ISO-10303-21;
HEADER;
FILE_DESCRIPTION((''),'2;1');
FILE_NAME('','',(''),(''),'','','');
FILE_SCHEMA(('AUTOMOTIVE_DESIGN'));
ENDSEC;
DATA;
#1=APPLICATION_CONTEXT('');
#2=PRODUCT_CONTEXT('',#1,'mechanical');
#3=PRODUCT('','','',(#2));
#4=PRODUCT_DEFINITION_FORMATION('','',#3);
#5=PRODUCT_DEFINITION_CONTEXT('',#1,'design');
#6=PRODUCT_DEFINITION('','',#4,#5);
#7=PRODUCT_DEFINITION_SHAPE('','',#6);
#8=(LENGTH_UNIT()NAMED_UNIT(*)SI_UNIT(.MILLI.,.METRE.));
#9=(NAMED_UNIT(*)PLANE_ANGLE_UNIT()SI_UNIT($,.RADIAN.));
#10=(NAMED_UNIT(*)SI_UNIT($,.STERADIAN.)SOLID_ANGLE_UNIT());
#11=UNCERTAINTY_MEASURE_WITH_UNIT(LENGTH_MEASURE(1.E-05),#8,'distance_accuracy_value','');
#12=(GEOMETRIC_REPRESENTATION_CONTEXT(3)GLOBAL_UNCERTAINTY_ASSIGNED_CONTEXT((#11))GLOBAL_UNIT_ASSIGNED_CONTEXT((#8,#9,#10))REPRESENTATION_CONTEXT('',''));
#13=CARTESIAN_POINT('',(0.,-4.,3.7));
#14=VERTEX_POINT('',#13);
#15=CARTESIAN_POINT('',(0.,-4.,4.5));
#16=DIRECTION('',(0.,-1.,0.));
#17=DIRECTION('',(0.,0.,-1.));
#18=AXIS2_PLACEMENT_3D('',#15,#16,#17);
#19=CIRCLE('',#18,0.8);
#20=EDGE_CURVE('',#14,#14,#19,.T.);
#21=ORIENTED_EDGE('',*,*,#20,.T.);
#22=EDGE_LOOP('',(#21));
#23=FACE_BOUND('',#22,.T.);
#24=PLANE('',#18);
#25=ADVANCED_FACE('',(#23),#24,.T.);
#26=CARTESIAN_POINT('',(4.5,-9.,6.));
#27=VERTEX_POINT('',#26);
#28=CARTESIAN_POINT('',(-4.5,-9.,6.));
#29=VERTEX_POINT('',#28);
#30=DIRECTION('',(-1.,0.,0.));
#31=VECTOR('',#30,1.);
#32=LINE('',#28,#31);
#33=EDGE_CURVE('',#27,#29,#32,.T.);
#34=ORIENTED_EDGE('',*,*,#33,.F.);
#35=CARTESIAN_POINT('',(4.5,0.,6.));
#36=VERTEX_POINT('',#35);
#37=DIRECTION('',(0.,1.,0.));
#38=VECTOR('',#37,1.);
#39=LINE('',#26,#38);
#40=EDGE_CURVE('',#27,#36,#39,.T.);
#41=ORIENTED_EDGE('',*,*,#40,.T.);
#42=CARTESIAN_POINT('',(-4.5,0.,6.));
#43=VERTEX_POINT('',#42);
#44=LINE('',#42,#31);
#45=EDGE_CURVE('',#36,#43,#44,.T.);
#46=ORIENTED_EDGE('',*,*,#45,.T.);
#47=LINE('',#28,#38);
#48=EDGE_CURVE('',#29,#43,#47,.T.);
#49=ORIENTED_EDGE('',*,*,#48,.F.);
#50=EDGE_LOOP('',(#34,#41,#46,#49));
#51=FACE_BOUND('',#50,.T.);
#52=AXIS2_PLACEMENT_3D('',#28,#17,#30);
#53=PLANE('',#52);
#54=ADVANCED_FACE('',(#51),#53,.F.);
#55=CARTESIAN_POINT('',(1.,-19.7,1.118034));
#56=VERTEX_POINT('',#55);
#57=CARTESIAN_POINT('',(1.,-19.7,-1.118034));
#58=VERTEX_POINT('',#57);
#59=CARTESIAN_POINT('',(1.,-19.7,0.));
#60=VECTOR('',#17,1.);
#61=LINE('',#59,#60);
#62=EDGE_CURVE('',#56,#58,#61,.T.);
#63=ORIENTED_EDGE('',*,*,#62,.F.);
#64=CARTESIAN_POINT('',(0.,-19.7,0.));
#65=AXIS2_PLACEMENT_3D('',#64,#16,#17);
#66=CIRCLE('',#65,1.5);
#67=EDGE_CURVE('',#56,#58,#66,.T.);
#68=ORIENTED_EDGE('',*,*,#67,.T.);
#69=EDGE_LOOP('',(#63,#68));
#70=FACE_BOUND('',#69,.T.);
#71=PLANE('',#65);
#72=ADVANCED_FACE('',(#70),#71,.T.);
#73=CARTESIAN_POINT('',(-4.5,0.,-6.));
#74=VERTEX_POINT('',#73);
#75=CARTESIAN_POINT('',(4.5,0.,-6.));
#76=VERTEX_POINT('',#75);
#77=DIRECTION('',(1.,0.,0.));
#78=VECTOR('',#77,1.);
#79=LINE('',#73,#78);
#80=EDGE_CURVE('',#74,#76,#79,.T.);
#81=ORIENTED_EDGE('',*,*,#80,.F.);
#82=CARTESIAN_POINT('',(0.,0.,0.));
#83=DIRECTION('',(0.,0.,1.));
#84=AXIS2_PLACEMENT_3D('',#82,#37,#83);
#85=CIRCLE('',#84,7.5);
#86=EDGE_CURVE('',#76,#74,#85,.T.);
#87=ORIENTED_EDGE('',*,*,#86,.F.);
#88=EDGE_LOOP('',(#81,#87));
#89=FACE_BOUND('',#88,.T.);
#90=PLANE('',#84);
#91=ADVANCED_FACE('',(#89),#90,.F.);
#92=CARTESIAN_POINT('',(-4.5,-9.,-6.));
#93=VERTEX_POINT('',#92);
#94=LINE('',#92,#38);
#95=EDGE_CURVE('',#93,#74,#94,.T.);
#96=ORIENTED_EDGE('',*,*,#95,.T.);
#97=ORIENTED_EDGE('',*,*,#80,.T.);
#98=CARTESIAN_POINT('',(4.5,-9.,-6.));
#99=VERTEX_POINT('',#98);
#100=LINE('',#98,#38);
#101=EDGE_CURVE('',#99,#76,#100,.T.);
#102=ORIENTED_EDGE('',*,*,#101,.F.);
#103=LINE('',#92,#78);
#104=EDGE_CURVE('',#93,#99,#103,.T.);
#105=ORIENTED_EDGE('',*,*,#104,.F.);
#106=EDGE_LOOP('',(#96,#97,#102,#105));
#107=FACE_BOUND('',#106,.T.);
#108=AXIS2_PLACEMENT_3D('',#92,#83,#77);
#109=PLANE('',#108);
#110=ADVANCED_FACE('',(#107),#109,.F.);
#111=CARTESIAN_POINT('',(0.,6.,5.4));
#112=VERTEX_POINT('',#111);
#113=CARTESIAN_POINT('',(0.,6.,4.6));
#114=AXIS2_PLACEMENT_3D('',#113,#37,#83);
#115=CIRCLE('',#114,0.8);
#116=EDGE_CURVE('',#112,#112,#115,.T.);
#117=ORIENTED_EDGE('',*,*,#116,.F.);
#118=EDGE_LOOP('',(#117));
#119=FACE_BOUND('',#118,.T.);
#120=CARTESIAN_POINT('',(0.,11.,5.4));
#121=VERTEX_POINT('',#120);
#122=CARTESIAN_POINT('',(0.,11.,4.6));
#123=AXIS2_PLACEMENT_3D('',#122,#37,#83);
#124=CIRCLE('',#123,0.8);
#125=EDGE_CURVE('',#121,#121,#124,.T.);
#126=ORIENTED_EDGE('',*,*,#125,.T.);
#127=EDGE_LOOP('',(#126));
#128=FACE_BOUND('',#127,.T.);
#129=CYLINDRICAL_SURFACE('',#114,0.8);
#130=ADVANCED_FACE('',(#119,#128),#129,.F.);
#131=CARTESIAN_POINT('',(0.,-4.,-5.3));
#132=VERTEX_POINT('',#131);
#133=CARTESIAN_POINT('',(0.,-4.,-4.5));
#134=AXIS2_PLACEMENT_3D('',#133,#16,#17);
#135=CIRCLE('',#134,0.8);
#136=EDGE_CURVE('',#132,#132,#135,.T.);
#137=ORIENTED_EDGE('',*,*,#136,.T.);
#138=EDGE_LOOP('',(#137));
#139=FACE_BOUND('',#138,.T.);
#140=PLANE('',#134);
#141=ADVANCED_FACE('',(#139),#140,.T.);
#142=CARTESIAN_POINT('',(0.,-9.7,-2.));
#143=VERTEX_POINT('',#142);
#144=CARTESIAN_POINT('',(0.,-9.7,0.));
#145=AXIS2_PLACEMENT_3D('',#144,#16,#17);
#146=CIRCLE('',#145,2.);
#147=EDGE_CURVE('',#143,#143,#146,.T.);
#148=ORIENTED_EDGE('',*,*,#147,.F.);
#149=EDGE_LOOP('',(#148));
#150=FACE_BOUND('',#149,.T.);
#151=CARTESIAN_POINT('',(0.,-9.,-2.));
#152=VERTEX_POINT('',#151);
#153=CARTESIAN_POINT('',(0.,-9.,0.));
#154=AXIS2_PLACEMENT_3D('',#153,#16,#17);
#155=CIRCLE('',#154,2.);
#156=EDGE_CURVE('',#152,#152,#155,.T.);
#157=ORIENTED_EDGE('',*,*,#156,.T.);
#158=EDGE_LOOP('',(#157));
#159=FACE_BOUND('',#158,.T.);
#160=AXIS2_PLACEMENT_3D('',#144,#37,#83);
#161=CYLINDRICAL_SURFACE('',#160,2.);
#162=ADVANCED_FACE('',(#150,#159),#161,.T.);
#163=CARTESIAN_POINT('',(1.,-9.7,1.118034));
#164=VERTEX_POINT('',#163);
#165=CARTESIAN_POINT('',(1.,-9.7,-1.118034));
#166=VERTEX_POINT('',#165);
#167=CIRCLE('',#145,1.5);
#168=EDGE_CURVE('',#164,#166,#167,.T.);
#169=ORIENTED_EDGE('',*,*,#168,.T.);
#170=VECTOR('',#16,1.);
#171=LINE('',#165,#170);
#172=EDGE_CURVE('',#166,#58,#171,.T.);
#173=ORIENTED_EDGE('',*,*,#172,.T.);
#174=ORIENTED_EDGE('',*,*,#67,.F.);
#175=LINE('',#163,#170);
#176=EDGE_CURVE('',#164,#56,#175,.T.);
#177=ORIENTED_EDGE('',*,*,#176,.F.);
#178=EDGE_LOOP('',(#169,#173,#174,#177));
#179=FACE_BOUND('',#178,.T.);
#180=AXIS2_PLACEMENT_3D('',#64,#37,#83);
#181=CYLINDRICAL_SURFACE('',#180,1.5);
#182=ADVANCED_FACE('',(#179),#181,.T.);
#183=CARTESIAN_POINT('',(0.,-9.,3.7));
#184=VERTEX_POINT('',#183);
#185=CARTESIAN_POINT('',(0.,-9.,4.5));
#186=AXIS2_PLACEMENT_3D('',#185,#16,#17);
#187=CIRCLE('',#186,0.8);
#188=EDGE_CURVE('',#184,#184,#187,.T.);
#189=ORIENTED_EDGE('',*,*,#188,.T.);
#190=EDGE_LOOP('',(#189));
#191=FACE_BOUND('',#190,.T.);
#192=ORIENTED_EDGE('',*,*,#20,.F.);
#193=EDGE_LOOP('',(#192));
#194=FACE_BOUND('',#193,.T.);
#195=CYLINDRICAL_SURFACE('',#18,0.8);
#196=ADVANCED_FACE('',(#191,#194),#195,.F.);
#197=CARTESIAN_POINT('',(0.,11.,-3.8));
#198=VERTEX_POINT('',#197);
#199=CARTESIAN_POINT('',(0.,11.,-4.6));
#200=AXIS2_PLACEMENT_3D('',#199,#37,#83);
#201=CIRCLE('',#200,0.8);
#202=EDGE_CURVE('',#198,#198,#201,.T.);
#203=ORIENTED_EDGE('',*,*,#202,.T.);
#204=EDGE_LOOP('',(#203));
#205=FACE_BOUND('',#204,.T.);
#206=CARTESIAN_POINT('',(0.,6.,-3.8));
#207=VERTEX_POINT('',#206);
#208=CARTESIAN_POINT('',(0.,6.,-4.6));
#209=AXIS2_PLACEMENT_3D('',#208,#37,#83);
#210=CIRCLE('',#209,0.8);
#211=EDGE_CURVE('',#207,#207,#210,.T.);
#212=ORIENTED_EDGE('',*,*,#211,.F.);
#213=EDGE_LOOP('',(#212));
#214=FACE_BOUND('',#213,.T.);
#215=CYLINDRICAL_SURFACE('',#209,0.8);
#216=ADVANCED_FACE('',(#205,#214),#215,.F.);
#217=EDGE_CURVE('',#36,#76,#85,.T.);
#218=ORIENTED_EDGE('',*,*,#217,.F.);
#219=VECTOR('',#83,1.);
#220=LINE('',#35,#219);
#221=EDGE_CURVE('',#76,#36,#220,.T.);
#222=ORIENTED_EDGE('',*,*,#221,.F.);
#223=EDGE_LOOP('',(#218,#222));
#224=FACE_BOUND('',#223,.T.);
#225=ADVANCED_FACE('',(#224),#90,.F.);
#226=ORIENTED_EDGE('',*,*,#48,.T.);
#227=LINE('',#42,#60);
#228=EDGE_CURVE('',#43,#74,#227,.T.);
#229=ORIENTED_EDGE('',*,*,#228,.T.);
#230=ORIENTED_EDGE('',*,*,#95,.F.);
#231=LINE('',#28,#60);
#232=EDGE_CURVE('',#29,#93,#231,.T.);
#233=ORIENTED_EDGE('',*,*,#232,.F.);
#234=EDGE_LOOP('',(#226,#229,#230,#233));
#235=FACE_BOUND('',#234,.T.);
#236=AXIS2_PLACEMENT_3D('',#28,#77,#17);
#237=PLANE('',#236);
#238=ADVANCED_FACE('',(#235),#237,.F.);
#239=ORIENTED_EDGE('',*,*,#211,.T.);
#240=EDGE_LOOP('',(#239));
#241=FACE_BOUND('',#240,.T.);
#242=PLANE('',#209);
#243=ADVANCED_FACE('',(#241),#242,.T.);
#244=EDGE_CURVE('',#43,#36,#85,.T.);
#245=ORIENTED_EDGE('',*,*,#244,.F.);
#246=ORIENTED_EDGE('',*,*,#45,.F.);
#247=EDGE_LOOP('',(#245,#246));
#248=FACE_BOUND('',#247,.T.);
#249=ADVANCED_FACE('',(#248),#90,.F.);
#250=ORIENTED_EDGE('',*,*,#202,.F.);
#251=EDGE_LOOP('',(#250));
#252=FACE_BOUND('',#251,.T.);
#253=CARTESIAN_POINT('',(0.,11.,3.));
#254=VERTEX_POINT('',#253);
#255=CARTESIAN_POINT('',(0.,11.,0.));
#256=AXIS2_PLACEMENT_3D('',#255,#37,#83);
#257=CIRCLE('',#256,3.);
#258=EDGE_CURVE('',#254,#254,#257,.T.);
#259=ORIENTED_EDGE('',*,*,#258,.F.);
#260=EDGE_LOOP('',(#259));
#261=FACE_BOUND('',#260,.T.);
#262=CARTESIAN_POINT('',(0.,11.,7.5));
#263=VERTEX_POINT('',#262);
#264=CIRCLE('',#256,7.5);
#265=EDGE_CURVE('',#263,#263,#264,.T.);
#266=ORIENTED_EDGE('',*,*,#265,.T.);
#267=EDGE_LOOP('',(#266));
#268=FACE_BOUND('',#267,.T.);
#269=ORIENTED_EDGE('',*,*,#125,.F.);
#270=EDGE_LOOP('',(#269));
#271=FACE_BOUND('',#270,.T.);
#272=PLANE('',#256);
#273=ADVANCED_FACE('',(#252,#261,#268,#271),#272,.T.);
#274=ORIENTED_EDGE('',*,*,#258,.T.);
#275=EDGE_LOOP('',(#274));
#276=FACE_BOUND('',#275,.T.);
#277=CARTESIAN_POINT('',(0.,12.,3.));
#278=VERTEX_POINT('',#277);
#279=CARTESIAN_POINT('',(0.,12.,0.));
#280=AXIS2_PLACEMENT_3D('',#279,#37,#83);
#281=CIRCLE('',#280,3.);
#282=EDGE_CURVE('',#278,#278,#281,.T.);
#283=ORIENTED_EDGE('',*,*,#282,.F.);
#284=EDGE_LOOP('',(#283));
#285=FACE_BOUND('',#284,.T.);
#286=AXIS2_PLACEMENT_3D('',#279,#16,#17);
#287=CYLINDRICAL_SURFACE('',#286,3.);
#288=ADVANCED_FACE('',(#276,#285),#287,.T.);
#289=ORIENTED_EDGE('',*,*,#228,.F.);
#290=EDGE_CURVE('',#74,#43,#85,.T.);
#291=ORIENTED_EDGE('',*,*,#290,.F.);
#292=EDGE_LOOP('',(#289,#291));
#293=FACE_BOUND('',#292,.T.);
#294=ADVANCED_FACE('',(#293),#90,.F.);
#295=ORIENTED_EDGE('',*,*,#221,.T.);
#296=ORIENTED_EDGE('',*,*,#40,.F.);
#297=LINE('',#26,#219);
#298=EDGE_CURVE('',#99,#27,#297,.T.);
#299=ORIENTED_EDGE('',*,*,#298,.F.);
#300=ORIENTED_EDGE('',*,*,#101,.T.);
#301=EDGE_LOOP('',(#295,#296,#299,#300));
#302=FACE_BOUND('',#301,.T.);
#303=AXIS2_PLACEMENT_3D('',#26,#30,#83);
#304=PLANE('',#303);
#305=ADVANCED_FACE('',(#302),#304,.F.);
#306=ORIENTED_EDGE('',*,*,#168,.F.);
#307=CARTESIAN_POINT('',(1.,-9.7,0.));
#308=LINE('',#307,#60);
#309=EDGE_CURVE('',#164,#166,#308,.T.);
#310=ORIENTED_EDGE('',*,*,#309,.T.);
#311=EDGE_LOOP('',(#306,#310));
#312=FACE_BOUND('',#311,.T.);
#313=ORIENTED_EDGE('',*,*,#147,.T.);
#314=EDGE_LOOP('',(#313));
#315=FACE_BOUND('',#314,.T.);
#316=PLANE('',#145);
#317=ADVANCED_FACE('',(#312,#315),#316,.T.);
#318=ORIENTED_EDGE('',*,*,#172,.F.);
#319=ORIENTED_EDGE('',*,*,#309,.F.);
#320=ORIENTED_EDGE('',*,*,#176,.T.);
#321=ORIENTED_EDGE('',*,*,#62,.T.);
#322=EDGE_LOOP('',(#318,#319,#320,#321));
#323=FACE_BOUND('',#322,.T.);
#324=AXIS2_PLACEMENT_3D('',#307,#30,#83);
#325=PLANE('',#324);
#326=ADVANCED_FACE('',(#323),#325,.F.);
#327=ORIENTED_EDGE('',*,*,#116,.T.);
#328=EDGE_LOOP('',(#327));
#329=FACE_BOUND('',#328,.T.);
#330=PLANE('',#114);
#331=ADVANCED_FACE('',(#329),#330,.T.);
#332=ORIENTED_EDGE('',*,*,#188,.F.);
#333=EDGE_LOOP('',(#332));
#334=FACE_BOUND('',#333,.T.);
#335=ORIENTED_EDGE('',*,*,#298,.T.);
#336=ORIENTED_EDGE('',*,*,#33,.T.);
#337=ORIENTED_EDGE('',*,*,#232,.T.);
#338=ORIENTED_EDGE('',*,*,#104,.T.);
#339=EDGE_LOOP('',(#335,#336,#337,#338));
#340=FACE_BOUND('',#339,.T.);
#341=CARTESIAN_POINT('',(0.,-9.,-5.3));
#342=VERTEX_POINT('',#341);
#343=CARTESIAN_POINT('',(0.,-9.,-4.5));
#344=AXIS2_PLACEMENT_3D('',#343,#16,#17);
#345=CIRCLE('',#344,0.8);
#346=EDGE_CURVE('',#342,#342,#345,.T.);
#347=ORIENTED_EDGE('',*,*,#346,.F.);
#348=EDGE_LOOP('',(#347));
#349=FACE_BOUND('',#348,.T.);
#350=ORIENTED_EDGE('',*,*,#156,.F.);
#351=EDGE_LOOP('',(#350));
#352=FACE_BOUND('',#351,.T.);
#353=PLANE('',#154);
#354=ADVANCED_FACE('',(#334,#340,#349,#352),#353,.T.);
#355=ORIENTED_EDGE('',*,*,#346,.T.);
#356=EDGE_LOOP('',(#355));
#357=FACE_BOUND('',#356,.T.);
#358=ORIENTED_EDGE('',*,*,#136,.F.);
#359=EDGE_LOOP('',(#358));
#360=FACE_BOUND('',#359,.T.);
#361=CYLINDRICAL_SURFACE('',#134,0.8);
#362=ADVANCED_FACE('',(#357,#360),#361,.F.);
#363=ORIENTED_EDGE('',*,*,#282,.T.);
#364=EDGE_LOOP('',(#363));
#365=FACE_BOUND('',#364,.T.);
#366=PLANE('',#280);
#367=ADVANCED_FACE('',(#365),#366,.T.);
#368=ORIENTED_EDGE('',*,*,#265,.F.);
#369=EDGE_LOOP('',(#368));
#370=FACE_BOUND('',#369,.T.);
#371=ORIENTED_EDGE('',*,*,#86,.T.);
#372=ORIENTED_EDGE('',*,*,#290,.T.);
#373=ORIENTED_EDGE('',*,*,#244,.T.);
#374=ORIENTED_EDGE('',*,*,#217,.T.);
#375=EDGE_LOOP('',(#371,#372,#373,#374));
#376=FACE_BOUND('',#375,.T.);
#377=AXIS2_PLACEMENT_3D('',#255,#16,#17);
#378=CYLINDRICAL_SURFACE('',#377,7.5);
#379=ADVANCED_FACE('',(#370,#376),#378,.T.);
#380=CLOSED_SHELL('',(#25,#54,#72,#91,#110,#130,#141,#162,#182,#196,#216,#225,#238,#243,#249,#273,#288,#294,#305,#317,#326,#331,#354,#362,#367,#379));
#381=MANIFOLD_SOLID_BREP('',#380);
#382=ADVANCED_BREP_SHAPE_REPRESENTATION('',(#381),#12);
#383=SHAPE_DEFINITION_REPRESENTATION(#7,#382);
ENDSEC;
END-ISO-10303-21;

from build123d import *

# Parameters (mm, degrees)
SKETCH1_R           = 7.5
BOSS_EXTRUDE1_DEPTH = 11
SKETCH2_R           = 3
BOSS_EXTRUDE2_DEPTH = 1
SKETCH3_W           = 9
SKETCH3_H           = 12
BOSS_EXTRUDE3_DEPTH = 9
SKETCH4_R           = 2
BOSS_EXTRUDE4_DEPTH = 0.7
SKETCH5_R           = 1.5
BOSS_EXTRUDE5_DEPTH = 10
CUT_EXTRUDE1_DEPTH  = 10
SKETCH7_R           = 0.8
CUT_EXTRUDE2_DEPTH  = 5
SKETCH8_R           = 0.8
CUT_EXTRUDE3_DEPTH  = 5


with BuildPart() as part:
    # Sketch1 → Boss-Extrude1 (new body)
    with BuildSketch(Plane(origin=(0, 0, 0), x_dir=(1, 0, 0), z_dir=(0, 1, 0))):
        with Locations(Location((0, 0, 0), (0, 0, 270))):
            Circle(SKETCH1_R)
    extrude(amount=BOSS_EXTRUDE1_DEPTH)

    # Sketch2 → Boss-Extrude2 (add)
    with BuildSketch(Plane(origin=(0, 11, 0), x_dir=(1, 0, 0), z_dir=(0, 1, 0))):
        with Locations(Location((0, 0, 0), (0, 0, 270))):
            Circle(SKETCH2_R)
    extrude(amount=BOSS_EXTRUDE2_DEPTH)

    # Sketch3 → Boss-Extrude3 (add)
    with BuildSketch(Plane.XZ):
        Rectangle(SKETCH3_W, SKETCH3_H)
    extrude(amount=BOSS_EXTRUDE3_DEPTH)

    # Sketch4 → Boss-Extrude4 (add)
    with BuildSketch(Plane.XZ.offset(9)):
        with Locations(Location((0, 0, 0), (0, 0, 270))):
            Circle(SKETCH4_R)
    extrude(amount=BOSS_EXTRUDE4_DEPTH)

    # Sketch5 → Boss-Extrude5 (add)
    with BuildSketch(Plane.XZ.offset(9.7)):
        with Locations(Location((0, 0, 0), (0, 0, 270))):
            Circle(SKETCH5_R)
    extrude(amount=BOSS_EXTRUDE5_DEPTH)

    # Sketch6 → Cut-Extrude1 (cut)
    with BuildSketch(Plane.XZ.offset(19.7)):
        Polygon((1, 35.32716531), (1, 1.118033989), (1, -1.118033989), (1, -35.32716531), (69.418262642, -35.32716531), (69.418262642, 35.32716531), align=None)
    extrude(amount=-CUT_EXTRUDE1_DEPTH, mode=Mode.SUBTRACT)

    # Sketch7 → Cut-Extrude2 (cut)
    with BuildSketch(Plane.XZ.offset(9)):
        with Locations(Location((0, 4.5, 0), (0, 0, 270))):
            Circle(SKETCH7_R)
        with Locations(Location((0, -4.5, 0), (0, 0, 270))):
            Circle(SKETCH7_R)
    extrude(amount=-CUT_EXTRUDE2_DEPTH, mode=Mode.SUBTRACT)

    # Sketch8 → Cut-Extrude3 (cut)
    with BuildSketch(Plane(origin=(0, 11, 0), x_dir=(1, 0, 0), z_dir=(0, 1, 0))):
        with Locations(Location((0, 4.6, 0), (0, 0, 270))):
            Circle(SKETCH8_R)
        with Locations(Location((0, -4.6, 0), (0, 0, 270))):
            Circle(SKETCH8_R)
    extrude(amount=-CUT_EXTRUDE3_DEPTH, mode=Mode.SUBTRACT)


solid = part.part
